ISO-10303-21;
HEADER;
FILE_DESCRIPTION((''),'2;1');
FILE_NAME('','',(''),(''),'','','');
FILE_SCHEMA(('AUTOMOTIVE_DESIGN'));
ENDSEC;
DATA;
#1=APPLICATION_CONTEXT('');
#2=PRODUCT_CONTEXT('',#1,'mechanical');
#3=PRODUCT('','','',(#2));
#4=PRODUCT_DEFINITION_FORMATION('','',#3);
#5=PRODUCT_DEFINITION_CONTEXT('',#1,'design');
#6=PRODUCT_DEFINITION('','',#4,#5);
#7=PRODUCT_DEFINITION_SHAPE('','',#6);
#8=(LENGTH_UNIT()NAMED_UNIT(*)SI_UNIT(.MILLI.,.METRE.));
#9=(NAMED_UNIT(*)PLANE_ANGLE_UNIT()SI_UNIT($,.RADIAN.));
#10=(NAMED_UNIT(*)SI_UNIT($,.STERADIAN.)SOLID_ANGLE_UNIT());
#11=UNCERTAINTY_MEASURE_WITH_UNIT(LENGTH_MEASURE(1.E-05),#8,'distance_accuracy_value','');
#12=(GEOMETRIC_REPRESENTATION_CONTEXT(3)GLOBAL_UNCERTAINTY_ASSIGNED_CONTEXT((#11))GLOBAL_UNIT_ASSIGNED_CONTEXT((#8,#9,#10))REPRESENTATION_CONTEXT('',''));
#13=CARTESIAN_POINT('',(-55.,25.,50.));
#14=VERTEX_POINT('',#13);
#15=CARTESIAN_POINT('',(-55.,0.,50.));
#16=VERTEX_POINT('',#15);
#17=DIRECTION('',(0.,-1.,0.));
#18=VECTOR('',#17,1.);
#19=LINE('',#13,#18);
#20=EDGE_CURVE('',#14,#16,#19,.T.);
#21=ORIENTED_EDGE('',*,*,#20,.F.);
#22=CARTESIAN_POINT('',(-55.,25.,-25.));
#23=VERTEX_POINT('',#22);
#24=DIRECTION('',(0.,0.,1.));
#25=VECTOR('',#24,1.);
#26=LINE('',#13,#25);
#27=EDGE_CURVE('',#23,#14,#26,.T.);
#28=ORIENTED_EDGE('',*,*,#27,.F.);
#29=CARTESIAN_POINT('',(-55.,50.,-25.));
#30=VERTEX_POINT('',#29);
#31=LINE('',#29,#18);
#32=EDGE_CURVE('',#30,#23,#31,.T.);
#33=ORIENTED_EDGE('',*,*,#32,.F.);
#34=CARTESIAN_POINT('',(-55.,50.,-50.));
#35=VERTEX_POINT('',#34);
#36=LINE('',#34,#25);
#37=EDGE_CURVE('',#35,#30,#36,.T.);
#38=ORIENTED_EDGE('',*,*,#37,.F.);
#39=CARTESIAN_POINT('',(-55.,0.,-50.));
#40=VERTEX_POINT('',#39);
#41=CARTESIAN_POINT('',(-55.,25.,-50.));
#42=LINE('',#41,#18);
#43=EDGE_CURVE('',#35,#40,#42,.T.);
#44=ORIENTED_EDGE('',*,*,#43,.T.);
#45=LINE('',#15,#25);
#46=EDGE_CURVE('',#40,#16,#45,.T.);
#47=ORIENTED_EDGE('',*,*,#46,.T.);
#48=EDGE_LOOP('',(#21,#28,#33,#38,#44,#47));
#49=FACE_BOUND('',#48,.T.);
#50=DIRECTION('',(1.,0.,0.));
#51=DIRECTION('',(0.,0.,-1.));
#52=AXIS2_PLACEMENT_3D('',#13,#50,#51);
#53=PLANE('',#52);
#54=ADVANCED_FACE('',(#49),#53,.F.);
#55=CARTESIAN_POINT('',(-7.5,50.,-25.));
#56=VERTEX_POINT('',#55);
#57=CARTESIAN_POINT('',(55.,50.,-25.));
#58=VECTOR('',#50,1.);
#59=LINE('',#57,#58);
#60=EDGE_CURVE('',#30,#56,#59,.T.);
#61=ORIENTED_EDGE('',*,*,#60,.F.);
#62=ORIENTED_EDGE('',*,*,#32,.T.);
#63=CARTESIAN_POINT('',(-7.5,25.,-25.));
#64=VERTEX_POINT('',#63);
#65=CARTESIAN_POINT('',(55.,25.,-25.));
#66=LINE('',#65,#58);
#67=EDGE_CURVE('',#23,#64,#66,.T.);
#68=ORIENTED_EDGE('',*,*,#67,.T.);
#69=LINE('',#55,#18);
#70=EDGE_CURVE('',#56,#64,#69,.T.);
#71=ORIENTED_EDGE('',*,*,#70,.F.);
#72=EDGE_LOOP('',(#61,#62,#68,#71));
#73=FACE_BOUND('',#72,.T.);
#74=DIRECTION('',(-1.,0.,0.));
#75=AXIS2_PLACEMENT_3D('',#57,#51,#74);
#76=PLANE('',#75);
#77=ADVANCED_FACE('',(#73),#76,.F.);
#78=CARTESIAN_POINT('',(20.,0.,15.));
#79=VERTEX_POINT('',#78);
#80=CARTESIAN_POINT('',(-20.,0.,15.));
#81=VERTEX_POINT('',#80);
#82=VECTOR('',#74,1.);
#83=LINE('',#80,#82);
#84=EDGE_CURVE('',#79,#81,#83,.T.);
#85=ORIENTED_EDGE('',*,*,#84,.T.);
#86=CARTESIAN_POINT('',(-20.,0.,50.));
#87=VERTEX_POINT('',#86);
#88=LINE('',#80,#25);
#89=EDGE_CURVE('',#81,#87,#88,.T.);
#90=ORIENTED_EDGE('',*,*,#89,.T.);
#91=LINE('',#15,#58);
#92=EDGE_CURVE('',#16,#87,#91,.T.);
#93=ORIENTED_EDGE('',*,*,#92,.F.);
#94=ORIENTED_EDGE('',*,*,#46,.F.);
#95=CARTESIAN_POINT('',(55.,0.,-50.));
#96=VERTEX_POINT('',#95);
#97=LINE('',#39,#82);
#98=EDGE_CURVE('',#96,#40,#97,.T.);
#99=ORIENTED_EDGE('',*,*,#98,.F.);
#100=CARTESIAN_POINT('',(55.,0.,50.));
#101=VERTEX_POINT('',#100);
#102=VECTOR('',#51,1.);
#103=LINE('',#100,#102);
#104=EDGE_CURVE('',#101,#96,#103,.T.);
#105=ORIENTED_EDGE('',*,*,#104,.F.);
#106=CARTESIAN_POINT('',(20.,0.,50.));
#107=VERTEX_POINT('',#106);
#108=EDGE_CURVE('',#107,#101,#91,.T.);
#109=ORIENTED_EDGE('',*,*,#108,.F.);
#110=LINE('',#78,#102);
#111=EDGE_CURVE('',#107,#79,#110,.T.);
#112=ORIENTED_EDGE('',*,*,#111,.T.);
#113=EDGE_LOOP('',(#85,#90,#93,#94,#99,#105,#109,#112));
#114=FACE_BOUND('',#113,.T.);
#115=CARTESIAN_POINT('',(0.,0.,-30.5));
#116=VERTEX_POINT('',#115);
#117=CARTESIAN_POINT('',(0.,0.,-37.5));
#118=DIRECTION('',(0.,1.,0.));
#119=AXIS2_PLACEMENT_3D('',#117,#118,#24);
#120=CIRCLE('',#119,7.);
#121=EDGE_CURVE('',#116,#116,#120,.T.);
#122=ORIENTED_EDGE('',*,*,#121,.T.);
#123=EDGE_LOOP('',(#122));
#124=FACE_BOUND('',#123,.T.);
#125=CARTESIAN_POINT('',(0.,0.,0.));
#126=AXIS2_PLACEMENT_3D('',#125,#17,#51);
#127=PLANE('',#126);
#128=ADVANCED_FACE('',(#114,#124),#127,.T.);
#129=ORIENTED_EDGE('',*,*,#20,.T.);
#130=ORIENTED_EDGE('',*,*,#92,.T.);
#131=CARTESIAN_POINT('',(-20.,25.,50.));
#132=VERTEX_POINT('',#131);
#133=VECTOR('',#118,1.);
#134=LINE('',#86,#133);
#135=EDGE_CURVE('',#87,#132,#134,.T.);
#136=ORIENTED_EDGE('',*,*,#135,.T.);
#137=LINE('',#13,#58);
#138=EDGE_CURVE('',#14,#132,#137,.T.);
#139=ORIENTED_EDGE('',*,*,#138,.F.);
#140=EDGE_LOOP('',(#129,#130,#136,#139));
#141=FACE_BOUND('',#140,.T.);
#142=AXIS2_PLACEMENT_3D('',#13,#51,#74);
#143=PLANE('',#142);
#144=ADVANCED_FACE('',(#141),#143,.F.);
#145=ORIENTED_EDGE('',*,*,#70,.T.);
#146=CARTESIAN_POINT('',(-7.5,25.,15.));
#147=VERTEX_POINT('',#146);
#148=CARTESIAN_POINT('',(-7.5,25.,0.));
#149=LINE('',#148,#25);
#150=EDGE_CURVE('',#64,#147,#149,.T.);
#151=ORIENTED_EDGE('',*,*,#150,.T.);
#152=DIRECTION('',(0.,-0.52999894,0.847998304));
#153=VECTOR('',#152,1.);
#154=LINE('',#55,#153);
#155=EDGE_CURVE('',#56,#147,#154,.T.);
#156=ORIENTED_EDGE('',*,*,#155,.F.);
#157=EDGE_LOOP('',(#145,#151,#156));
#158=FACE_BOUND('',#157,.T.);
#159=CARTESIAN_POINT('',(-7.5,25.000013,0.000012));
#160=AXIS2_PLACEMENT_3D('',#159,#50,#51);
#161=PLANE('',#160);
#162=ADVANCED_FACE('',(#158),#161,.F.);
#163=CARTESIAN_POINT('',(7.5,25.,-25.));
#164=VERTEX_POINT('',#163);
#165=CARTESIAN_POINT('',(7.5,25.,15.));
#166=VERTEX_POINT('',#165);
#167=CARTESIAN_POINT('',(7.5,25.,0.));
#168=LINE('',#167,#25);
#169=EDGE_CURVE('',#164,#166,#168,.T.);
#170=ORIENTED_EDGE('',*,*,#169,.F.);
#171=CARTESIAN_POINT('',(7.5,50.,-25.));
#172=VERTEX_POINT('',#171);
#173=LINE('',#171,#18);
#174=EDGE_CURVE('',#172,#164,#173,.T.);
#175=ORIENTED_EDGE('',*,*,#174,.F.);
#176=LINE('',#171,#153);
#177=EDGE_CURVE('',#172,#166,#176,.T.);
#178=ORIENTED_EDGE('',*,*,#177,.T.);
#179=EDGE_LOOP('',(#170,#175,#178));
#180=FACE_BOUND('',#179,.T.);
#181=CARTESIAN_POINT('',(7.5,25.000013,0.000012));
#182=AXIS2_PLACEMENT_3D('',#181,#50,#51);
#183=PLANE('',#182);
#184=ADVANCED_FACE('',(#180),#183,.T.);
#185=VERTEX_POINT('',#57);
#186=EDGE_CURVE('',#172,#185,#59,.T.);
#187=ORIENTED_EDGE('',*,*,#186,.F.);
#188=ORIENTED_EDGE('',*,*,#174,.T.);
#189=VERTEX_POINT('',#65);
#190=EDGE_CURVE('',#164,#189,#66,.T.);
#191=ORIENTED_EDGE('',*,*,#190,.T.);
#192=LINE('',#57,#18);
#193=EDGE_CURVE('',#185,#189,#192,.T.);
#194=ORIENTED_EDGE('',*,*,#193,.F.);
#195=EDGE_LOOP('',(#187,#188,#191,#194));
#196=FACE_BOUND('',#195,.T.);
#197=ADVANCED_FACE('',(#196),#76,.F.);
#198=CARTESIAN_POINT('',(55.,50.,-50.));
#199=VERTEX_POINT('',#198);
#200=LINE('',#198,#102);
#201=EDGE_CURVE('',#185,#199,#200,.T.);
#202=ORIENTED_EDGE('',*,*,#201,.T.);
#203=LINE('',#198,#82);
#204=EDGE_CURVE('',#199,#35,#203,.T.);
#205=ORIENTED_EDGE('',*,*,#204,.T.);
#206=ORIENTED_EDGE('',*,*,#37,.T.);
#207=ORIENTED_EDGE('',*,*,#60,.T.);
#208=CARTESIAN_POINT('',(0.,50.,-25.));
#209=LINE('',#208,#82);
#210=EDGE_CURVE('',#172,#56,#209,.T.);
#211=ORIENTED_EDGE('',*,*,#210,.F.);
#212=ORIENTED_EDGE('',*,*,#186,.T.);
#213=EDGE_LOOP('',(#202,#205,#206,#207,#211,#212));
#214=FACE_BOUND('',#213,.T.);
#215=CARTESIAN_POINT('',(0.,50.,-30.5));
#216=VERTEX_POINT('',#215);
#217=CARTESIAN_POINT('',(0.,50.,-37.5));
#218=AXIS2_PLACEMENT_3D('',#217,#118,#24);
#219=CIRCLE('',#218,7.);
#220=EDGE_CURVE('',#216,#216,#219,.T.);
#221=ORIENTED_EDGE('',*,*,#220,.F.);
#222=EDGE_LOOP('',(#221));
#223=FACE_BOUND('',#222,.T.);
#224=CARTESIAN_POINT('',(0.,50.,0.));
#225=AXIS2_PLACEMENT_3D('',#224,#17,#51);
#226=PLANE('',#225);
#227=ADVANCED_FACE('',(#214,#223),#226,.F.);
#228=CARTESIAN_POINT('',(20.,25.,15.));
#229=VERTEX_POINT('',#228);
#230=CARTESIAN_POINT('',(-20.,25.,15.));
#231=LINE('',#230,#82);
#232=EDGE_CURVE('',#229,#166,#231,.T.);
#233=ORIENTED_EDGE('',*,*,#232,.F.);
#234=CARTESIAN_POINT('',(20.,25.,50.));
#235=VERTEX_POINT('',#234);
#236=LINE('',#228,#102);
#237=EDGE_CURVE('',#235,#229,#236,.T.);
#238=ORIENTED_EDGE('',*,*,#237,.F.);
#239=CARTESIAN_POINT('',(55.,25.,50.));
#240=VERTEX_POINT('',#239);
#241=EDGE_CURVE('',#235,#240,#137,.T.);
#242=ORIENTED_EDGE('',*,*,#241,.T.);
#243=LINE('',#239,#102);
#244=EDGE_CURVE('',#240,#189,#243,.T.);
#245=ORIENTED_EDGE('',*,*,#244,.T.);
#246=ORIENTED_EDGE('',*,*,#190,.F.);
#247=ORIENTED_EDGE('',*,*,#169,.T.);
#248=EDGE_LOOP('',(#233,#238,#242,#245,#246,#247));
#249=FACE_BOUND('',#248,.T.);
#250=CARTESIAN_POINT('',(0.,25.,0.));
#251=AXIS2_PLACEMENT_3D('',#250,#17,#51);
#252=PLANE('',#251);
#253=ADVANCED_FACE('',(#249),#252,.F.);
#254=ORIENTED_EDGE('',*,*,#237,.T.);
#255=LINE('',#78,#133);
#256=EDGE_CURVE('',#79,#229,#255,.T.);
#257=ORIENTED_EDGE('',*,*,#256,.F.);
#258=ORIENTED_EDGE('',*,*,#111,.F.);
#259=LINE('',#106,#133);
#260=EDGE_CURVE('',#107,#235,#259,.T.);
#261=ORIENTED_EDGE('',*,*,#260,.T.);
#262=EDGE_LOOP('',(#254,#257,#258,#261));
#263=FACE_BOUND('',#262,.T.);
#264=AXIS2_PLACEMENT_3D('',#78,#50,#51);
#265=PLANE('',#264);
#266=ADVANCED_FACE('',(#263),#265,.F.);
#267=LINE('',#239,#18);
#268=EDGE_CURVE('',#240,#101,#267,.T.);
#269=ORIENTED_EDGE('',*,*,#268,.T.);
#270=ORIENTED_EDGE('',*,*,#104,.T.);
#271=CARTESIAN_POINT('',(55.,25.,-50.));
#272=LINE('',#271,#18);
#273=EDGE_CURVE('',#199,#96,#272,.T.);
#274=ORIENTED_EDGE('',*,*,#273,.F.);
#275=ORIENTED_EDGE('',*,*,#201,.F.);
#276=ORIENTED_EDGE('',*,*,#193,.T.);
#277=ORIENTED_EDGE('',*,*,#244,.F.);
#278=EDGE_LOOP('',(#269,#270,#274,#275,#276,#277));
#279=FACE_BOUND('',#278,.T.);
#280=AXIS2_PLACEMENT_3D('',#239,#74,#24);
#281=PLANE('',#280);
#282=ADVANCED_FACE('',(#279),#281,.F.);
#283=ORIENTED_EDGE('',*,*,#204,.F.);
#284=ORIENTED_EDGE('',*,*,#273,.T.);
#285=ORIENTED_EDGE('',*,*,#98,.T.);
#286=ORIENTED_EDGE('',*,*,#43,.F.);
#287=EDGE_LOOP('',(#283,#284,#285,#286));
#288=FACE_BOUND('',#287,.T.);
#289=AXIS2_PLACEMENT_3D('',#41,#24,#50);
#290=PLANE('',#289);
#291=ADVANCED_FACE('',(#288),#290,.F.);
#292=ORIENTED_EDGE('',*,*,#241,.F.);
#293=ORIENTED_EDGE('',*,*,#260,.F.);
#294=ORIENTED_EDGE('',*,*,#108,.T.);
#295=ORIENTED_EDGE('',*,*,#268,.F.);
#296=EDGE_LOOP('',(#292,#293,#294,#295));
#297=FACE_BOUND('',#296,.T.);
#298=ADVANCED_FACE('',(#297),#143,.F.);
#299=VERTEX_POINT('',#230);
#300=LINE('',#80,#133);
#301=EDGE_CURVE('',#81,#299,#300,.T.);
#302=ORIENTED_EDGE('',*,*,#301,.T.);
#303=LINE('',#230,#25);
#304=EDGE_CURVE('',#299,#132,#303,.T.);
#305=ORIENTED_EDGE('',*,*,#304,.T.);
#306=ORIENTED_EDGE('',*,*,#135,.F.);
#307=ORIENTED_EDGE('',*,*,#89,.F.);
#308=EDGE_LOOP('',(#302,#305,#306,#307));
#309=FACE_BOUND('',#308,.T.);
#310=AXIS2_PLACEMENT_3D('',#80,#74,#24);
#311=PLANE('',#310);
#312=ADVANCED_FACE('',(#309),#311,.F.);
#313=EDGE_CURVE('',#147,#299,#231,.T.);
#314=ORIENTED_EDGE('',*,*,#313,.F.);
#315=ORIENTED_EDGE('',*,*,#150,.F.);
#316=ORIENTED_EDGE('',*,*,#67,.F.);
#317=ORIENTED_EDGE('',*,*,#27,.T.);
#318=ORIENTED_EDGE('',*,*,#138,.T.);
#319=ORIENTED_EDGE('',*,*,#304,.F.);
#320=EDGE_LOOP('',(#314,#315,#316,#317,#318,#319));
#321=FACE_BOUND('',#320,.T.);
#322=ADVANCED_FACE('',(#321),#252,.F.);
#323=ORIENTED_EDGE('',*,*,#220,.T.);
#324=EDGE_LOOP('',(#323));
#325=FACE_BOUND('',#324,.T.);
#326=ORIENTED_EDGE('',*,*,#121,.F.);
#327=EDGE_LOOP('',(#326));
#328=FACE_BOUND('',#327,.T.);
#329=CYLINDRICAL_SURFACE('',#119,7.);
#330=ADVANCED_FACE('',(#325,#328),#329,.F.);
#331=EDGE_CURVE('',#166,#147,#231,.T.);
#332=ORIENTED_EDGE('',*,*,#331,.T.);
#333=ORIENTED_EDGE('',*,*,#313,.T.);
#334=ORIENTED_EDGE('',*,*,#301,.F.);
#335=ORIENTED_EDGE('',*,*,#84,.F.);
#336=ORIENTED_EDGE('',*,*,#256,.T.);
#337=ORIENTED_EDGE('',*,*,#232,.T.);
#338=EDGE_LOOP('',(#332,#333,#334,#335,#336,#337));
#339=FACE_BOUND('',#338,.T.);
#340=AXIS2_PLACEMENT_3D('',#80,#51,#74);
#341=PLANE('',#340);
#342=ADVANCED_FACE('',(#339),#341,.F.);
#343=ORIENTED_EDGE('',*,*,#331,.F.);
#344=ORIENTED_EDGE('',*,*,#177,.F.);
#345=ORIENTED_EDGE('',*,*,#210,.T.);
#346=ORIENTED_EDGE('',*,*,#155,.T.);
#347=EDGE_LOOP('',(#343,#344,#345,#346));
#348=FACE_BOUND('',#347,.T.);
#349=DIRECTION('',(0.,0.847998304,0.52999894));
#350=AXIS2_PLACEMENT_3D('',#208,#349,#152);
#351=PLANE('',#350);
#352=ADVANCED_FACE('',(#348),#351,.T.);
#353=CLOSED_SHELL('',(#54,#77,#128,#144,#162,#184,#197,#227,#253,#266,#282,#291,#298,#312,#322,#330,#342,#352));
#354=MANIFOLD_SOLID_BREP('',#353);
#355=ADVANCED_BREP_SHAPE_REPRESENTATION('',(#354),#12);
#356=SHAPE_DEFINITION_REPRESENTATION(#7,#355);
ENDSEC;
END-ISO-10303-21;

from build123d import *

# Parameters (mm, degrees)
SKETCH_1_W          = 110
SKETCH_1_H          = 100
EXTRUDE_1_DEPTH     = 25
SKETCH_2_W          = 110
SKETCH_2_H          = 25
EXTRUDE_2_DEPTH     = 25
SKETCH_3_W          = 40
SKETCH_3_H          = 35
CUT_EXTRUDE_1_DEPTH = 79.421935707
RIB_1_REACH         = 91.582
SKETCH_4_WALL_W     = 228.334634332
SKETCH_4_WALL_H     = 15
SKETCH_5_R          = 7
CUT_EXTRUDE_2_DEPTH = 90.582364336


with BuildPart() as part:
    # Эскиз1 → Бобышка-Вытянуть1 (new body)
    with BuildSketch(Plane(origin=(0, 0, 0), x_dir=(1, 0, 0), z_dir=(0, 1, 0))):
        Rectangle(SKETCH_1_W, SKETCH_1_H)
    extrude(amount=EXTRUDE_1_DEPTH)

    # Эскиз2 → Бобышка-Вытянуть2 (add)
    with BuildSketch(Plane(origin=(0, 25, 0), x_dir=(1, 0, 0), z_dir=(0, 1, 0))):
        with Locations((0, 37.5)):
            Rectangle(SKETCH_2_W, SKETCH_2_H)
    extrude(amount=EXTRUDE_2_DEPTH)

    # Эскиз3 → Вырез-Вытянуть1 (cut, through all)
    with BuildSketch(Plane(origin=(0, 25, 0), x_dir=(1, 0, 0), z_dir=(0, 1, 0))):
        with Locations((0, -32.5)):
            Rectangle(SKETCH_3_W, SKETCH_3_H)
    extrude(amount=-CUT_EXTRUDE_1_DEPTH, mode=Mode.SUBTRACT)

    # Эскиз4 wall → Ребро1 (add, up to next)
    with BuildSketch(Plane(origin=(0, 37.5, -5), x_dir=(0, -0.529998940003, 0.847998304005), z_dir=(0, -0.847998304005, -0.529998940003)), mode=Mode.PRIVATE) as rib_1_sk1:
        Rectangle(SKETCH_4_WALL_W, SKETCH_4_WALL_H)
    rib_1_tool1 = extrude(rib_1_sk1.sketch, amount=RIB_1_REACH, mode=Mode.PRIVATE) - part.part
    add(rib_1_tool1.solids().sort_by_distance((0, 37.5, -5))[0])

    # Эскиз5 → Вырез-Вытянуть2 (cut, through all)
    with BuildSketch(Plane(origin=(0, 50, 0), x_dir=(1, 0, 0), z_dir=(0, 1, 0))):
        with Locations(Location((0, 37.5, 0), (0, 0, 270))):
            Circle(SKETCH_5_R)
    extrude(amount=-CUT_EXTRUDE_2_DEPTH, mode=Mode.SUBTRACT)


solid = part.part
